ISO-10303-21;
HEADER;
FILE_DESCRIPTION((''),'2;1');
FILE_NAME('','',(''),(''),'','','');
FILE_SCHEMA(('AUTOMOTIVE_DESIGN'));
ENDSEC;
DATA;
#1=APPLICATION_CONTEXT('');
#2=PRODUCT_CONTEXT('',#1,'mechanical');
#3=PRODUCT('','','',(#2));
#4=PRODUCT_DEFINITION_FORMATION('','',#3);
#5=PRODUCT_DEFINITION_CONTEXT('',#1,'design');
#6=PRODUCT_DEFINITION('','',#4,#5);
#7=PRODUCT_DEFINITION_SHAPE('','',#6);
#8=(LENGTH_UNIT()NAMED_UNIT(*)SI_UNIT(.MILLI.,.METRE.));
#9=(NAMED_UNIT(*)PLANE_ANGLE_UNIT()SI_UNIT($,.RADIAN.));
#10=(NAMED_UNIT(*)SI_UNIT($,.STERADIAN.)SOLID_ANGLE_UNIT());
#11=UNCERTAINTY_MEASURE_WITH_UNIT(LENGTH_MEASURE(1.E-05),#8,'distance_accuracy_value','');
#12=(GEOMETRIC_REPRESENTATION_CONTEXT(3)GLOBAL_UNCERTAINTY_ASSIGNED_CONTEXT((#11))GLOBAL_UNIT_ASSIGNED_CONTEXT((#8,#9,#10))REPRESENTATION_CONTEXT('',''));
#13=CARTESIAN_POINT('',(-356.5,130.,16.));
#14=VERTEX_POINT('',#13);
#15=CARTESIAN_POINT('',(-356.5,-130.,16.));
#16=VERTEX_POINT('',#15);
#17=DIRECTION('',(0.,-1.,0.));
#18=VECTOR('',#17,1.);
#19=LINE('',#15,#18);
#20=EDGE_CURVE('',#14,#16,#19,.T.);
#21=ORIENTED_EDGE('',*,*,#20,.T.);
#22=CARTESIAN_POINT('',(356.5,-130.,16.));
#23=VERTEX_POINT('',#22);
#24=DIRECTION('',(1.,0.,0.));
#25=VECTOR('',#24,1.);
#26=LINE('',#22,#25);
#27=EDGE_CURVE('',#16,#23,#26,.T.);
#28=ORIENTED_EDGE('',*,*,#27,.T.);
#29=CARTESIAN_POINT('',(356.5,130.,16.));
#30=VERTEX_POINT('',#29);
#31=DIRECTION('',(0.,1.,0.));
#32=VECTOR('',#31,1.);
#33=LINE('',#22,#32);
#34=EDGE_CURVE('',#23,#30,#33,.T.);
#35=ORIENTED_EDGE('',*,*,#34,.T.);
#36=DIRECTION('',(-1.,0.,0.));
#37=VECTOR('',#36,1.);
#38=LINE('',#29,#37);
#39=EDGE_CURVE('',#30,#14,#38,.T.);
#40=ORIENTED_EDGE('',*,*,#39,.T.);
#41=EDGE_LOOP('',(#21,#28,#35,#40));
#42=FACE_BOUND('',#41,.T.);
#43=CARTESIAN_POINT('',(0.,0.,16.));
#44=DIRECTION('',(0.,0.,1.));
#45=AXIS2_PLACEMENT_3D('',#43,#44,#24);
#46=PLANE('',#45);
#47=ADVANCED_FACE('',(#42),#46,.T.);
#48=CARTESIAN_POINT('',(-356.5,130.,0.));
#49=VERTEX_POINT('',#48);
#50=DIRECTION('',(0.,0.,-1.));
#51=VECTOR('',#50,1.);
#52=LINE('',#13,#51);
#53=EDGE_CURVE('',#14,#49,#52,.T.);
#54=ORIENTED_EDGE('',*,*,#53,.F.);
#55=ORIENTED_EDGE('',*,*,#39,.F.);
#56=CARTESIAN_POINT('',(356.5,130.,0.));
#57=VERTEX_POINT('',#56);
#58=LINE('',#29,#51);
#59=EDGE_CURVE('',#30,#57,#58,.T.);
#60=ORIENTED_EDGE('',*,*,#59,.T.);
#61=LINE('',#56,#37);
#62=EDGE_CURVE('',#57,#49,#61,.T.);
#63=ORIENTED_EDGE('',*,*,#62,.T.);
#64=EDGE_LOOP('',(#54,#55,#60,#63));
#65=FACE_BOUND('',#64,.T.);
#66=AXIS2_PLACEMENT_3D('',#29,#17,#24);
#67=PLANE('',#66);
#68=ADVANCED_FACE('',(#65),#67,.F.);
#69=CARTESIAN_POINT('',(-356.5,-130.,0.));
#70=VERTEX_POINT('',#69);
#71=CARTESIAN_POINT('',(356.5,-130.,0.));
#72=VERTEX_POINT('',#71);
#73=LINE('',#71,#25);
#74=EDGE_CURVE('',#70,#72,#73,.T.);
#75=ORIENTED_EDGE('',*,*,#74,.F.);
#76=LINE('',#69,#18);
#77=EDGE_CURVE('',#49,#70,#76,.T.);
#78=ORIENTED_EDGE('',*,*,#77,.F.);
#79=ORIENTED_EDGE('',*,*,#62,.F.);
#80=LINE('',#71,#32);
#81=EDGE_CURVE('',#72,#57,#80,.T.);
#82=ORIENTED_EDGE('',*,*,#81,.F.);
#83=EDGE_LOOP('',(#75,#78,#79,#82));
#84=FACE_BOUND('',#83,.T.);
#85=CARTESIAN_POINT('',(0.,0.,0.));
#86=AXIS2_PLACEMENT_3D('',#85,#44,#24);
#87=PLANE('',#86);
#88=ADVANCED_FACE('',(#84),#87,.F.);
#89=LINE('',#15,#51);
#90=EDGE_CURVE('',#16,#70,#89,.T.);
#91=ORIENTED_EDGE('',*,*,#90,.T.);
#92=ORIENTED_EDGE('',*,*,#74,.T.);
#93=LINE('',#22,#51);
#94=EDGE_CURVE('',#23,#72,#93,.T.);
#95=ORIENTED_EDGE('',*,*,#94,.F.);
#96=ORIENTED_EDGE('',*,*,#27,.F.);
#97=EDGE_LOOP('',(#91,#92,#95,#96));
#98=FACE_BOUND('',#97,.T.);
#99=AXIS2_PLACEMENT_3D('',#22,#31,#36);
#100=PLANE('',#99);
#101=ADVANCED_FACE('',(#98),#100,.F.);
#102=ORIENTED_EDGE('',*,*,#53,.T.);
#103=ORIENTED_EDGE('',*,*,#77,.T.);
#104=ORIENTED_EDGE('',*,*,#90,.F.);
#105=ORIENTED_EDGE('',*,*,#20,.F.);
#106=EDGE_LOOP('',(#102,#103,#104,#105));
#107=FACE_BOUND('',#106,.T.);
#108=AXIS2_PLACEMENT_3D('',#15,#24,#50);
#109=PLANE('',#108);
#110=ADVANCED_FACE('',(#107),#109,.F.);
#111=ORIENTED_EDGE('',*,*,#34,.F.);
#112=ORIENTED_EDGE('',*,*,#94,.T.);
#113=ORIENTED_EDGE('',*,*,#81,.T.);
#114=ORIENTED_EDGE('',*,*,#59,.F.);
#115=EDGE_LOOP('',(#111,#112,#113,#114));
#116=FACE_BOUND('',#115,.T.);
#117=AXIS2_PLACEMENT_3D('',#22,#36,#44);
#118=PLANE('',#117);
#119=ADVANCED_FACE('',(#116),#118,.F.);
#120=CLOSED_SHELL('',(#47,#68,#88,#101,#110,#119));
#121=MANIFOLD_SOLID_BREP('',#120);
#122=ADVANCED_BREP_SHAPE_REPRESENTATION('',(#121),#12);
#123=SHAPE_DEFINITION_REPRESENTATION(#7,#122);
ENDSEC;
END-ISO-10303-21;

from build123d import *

# Parameters (mm, degrees)
SKETCH_1_W      = 713
SKETCH_1_H      = 260
EXTRUDE_1_DEPTH = 16


with BuildPart() as part:
    # 草图1 → 凸台-拉伸1 (new body)
    with BuildSketch(Plane.XY):
        Rectangle(SKETCH_1_W, SKETCH_1_H)
    extrude(amount=EXTRUDE_1_DEPTH)


solid = part.part
